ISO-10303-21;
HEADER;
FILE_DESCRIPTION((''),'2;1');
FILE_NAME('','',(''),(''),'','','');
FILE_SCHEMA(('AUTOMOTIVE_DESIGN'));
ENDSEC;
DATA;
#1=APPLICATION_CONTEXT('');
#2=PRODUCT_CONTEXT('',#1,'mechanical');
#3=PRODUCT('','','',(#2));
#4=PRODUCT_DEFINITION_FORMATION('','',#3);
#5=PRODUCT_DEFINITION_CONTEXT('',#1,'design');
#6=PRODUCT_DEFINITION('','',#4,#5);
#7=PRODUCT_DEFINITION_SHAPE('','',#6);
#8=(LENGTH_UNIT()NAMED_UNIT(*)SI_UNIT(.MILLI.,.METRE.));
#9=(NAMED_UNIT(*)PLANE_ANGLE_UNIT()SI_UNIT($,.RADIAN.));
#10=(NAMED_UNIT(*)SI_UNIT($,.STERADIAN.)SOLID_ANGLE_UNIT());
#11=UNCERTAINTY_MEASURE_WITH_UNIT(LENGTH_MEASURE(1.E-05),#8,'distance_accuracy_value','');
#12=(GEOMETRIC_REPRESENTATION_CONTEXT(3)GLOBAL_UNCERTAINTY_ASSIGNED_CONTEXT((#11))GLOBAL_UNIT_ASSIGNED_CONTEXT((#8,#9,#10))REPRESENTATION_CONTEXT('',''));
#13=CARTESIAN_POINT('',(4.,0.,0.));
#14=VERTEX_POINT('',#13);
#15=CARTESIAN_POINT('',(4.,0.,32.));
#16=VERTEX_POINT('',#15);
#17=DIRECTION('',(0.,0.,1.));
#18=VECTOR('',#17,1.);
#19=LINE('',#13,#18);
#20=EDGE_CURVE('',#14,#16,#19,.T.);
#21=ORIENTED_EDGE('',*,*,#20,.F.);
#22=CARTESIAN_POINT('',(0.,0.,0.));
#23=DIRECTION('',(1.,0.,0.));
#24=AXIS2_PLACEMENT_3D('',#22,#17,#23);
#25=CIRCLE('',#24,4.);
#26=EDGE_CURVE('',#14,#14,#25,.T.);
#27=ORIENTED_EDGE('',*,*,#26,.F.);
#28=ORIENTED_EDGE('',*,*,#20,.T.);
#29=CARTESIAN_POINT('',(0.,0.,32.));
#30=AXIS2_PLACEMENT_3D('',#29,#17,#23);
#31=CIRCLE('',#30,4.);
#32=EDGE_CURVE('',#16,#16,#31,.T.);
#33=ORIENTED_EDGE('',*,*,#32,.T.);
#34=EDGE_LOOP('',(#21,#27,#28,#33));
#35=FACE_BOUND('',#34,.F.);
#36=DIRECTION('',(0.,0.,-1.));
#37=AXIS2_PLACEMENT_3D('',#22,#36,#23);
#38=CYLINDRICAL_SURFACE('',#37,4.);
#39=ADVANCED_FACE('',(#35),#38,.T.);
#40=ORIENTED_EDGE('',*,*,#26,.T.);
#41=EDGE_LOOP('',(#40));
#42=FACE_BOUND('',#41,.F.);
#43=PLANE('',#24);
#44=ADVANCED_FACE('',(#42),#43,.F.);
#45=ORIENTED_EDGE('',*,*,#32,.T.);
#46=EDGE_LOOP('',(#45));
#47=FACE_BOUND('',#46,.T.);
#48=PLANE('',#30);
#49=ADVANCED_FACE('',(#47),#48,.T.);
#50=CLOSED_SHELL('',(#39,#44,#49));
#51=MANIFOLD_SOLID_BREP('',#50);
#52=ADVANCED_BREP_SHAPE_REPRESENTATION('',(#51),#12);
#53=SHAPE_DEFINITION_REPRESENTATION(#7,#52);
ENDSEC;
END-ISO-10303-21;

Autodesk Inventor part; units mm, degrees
ref_plane "YZ Plane" through (0, 0, 0) normal (1, 0, 0) x (0, 1, 0)
ref_plane "XZ Plane" through (0, 0, 0) normal (0, 1, 0) x (-1, 0, 0)
ref_plane "XY Plane" through (0, 0, 0) normal (0, 0, 1) x (1, 0, 0)
sketch "Sketch1" plane through (0, 0, 0) normal (0, 0, 1) x (1, 0, 0)
  circle A0 centre (0, 0) radius 4
  dimension "d0" = 8
  dimension "d0" = 8
extrude "Extrusion1" add sketch "Sketch1" along normal blind 32
properties part number "short axle"
